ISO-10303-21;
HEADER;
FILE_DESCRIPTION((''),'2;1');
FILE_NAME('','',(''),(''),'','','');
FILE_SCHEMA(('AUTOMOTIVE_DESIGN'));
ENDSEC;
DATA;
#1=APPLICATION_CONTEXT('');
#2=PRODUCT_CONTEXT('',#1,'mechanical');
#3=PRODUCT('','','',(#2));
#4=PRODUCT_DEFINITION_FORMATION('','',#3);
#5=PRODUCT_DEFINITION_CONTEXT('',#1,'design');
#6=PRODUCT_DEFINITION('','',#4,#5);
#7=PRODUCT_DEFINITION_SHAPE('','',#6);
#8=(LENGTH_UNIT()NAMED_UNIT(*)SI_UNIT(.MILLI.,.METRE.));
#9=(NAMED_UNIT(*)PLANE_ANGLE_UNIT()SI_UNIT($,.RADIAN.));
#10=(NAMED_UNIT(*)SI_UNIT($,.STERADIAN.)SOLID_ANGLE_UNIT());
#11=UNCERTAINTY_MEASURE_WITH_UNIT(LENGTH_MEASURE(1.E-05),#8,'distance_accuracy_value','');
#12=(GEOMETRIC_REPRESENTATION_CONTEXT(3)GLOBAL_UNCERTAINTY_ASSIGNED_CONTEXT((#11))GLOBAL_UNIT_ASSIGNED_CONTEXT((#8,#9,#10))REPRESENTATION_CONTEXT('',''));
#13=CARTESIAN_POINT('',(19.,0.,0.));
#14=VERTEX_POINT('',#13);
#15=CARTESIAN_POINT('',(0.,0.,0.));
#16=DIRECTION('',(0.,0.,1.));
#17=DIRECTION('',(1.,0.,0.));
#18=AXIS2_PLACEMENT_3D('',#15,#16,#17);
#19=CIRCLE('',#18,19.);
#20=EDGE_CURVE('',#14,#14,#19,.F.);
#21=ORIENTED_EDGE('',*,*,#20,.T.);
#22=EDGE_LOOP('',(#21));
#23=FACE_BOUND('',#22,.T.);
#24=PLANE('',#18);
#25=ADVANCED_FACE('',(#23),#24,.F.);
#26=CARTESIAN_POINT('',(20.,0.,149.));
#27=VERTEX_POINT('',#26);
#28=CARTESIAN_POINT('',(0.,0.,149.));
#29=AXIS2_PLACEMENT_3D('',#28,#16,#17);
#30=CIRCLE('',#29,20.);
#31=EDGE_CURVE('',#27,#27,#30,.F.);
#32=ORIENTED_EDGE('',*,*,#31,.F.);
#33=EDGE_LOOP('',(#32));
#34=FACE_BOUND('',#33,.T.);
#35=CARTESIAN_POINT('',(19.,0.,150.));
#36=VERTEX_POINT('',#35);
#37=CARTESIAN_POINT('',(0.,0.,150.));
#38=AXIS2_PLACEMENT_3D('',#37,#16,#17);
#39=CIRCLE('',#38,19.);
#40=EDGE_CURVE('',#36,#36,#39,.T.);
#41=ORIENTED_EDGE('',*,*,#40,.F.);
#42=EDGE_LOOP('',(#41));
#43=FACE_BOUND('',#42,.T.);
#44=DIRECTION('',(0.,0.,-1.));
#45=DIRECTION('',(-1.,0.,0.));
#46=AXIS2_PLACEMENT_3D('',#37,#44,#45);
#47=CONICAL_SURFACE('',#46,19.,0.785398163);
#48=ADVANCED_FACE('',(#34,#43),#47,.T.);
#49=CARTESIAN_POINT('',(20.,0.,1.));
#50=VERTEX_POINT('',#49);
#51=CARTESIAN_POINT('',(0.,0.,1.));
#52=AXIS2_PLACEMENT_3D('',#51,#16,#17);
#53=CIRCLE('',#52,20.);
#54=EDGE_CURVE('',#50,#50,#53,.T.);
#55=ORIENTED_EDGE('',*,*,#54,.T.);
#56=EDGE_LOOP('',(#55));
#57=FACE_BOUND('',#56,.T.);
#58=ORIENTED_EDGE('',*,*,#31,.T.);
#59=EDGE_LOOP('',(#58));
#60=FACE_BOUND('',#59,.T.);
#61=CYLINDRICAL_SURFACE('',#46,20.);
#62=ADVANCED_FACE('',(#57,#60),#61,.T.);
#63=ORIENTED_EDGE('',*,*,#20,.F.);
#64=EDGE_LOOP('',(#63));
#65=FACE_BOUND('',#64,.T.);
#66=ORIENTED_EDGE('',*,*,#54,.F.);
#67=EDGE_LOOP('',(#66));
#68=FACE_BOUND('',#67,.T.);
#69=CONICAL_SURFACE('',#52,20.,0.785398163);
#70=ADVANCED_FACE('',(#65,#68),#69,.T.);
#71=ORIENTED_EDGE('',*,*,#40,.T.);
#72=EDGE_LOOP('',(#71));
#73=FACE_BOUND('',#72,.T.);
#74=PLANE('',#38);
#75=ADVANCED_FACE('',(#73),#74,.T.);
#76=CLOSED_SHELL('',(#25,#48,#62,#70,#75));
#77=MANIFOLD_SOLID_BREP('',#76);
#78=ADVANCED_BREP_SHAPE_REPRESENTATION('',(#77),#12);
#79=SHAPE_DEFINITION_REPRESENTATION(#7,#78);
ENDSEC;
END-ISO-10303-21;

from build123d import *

# Parameters (mm, degrees)
SKETCH1_R           = 20
BOSS_EXTRUDE1_DEPTH = 150
CHAMFER1_SIZE       = 1


with BuildPart() as part:
    # Sketch1 → Boss-Extrude1 (new body)
    with BuildSketch(Plane.XY):
        Circle(SKETCH1_R)
    extrude(amount=BOSS_EXTRUDE1_DEPTH)

    # Chamfer1
    chamfer1_edges = [part.edges().sort_by_distance(p)[0] for p in [
        (-20, 0, 0),
        (-20, 0, 150),
    ]]
    chamfer(chamfer1_edges, length=CHAMFER1_SIZE)


solid = part.part
